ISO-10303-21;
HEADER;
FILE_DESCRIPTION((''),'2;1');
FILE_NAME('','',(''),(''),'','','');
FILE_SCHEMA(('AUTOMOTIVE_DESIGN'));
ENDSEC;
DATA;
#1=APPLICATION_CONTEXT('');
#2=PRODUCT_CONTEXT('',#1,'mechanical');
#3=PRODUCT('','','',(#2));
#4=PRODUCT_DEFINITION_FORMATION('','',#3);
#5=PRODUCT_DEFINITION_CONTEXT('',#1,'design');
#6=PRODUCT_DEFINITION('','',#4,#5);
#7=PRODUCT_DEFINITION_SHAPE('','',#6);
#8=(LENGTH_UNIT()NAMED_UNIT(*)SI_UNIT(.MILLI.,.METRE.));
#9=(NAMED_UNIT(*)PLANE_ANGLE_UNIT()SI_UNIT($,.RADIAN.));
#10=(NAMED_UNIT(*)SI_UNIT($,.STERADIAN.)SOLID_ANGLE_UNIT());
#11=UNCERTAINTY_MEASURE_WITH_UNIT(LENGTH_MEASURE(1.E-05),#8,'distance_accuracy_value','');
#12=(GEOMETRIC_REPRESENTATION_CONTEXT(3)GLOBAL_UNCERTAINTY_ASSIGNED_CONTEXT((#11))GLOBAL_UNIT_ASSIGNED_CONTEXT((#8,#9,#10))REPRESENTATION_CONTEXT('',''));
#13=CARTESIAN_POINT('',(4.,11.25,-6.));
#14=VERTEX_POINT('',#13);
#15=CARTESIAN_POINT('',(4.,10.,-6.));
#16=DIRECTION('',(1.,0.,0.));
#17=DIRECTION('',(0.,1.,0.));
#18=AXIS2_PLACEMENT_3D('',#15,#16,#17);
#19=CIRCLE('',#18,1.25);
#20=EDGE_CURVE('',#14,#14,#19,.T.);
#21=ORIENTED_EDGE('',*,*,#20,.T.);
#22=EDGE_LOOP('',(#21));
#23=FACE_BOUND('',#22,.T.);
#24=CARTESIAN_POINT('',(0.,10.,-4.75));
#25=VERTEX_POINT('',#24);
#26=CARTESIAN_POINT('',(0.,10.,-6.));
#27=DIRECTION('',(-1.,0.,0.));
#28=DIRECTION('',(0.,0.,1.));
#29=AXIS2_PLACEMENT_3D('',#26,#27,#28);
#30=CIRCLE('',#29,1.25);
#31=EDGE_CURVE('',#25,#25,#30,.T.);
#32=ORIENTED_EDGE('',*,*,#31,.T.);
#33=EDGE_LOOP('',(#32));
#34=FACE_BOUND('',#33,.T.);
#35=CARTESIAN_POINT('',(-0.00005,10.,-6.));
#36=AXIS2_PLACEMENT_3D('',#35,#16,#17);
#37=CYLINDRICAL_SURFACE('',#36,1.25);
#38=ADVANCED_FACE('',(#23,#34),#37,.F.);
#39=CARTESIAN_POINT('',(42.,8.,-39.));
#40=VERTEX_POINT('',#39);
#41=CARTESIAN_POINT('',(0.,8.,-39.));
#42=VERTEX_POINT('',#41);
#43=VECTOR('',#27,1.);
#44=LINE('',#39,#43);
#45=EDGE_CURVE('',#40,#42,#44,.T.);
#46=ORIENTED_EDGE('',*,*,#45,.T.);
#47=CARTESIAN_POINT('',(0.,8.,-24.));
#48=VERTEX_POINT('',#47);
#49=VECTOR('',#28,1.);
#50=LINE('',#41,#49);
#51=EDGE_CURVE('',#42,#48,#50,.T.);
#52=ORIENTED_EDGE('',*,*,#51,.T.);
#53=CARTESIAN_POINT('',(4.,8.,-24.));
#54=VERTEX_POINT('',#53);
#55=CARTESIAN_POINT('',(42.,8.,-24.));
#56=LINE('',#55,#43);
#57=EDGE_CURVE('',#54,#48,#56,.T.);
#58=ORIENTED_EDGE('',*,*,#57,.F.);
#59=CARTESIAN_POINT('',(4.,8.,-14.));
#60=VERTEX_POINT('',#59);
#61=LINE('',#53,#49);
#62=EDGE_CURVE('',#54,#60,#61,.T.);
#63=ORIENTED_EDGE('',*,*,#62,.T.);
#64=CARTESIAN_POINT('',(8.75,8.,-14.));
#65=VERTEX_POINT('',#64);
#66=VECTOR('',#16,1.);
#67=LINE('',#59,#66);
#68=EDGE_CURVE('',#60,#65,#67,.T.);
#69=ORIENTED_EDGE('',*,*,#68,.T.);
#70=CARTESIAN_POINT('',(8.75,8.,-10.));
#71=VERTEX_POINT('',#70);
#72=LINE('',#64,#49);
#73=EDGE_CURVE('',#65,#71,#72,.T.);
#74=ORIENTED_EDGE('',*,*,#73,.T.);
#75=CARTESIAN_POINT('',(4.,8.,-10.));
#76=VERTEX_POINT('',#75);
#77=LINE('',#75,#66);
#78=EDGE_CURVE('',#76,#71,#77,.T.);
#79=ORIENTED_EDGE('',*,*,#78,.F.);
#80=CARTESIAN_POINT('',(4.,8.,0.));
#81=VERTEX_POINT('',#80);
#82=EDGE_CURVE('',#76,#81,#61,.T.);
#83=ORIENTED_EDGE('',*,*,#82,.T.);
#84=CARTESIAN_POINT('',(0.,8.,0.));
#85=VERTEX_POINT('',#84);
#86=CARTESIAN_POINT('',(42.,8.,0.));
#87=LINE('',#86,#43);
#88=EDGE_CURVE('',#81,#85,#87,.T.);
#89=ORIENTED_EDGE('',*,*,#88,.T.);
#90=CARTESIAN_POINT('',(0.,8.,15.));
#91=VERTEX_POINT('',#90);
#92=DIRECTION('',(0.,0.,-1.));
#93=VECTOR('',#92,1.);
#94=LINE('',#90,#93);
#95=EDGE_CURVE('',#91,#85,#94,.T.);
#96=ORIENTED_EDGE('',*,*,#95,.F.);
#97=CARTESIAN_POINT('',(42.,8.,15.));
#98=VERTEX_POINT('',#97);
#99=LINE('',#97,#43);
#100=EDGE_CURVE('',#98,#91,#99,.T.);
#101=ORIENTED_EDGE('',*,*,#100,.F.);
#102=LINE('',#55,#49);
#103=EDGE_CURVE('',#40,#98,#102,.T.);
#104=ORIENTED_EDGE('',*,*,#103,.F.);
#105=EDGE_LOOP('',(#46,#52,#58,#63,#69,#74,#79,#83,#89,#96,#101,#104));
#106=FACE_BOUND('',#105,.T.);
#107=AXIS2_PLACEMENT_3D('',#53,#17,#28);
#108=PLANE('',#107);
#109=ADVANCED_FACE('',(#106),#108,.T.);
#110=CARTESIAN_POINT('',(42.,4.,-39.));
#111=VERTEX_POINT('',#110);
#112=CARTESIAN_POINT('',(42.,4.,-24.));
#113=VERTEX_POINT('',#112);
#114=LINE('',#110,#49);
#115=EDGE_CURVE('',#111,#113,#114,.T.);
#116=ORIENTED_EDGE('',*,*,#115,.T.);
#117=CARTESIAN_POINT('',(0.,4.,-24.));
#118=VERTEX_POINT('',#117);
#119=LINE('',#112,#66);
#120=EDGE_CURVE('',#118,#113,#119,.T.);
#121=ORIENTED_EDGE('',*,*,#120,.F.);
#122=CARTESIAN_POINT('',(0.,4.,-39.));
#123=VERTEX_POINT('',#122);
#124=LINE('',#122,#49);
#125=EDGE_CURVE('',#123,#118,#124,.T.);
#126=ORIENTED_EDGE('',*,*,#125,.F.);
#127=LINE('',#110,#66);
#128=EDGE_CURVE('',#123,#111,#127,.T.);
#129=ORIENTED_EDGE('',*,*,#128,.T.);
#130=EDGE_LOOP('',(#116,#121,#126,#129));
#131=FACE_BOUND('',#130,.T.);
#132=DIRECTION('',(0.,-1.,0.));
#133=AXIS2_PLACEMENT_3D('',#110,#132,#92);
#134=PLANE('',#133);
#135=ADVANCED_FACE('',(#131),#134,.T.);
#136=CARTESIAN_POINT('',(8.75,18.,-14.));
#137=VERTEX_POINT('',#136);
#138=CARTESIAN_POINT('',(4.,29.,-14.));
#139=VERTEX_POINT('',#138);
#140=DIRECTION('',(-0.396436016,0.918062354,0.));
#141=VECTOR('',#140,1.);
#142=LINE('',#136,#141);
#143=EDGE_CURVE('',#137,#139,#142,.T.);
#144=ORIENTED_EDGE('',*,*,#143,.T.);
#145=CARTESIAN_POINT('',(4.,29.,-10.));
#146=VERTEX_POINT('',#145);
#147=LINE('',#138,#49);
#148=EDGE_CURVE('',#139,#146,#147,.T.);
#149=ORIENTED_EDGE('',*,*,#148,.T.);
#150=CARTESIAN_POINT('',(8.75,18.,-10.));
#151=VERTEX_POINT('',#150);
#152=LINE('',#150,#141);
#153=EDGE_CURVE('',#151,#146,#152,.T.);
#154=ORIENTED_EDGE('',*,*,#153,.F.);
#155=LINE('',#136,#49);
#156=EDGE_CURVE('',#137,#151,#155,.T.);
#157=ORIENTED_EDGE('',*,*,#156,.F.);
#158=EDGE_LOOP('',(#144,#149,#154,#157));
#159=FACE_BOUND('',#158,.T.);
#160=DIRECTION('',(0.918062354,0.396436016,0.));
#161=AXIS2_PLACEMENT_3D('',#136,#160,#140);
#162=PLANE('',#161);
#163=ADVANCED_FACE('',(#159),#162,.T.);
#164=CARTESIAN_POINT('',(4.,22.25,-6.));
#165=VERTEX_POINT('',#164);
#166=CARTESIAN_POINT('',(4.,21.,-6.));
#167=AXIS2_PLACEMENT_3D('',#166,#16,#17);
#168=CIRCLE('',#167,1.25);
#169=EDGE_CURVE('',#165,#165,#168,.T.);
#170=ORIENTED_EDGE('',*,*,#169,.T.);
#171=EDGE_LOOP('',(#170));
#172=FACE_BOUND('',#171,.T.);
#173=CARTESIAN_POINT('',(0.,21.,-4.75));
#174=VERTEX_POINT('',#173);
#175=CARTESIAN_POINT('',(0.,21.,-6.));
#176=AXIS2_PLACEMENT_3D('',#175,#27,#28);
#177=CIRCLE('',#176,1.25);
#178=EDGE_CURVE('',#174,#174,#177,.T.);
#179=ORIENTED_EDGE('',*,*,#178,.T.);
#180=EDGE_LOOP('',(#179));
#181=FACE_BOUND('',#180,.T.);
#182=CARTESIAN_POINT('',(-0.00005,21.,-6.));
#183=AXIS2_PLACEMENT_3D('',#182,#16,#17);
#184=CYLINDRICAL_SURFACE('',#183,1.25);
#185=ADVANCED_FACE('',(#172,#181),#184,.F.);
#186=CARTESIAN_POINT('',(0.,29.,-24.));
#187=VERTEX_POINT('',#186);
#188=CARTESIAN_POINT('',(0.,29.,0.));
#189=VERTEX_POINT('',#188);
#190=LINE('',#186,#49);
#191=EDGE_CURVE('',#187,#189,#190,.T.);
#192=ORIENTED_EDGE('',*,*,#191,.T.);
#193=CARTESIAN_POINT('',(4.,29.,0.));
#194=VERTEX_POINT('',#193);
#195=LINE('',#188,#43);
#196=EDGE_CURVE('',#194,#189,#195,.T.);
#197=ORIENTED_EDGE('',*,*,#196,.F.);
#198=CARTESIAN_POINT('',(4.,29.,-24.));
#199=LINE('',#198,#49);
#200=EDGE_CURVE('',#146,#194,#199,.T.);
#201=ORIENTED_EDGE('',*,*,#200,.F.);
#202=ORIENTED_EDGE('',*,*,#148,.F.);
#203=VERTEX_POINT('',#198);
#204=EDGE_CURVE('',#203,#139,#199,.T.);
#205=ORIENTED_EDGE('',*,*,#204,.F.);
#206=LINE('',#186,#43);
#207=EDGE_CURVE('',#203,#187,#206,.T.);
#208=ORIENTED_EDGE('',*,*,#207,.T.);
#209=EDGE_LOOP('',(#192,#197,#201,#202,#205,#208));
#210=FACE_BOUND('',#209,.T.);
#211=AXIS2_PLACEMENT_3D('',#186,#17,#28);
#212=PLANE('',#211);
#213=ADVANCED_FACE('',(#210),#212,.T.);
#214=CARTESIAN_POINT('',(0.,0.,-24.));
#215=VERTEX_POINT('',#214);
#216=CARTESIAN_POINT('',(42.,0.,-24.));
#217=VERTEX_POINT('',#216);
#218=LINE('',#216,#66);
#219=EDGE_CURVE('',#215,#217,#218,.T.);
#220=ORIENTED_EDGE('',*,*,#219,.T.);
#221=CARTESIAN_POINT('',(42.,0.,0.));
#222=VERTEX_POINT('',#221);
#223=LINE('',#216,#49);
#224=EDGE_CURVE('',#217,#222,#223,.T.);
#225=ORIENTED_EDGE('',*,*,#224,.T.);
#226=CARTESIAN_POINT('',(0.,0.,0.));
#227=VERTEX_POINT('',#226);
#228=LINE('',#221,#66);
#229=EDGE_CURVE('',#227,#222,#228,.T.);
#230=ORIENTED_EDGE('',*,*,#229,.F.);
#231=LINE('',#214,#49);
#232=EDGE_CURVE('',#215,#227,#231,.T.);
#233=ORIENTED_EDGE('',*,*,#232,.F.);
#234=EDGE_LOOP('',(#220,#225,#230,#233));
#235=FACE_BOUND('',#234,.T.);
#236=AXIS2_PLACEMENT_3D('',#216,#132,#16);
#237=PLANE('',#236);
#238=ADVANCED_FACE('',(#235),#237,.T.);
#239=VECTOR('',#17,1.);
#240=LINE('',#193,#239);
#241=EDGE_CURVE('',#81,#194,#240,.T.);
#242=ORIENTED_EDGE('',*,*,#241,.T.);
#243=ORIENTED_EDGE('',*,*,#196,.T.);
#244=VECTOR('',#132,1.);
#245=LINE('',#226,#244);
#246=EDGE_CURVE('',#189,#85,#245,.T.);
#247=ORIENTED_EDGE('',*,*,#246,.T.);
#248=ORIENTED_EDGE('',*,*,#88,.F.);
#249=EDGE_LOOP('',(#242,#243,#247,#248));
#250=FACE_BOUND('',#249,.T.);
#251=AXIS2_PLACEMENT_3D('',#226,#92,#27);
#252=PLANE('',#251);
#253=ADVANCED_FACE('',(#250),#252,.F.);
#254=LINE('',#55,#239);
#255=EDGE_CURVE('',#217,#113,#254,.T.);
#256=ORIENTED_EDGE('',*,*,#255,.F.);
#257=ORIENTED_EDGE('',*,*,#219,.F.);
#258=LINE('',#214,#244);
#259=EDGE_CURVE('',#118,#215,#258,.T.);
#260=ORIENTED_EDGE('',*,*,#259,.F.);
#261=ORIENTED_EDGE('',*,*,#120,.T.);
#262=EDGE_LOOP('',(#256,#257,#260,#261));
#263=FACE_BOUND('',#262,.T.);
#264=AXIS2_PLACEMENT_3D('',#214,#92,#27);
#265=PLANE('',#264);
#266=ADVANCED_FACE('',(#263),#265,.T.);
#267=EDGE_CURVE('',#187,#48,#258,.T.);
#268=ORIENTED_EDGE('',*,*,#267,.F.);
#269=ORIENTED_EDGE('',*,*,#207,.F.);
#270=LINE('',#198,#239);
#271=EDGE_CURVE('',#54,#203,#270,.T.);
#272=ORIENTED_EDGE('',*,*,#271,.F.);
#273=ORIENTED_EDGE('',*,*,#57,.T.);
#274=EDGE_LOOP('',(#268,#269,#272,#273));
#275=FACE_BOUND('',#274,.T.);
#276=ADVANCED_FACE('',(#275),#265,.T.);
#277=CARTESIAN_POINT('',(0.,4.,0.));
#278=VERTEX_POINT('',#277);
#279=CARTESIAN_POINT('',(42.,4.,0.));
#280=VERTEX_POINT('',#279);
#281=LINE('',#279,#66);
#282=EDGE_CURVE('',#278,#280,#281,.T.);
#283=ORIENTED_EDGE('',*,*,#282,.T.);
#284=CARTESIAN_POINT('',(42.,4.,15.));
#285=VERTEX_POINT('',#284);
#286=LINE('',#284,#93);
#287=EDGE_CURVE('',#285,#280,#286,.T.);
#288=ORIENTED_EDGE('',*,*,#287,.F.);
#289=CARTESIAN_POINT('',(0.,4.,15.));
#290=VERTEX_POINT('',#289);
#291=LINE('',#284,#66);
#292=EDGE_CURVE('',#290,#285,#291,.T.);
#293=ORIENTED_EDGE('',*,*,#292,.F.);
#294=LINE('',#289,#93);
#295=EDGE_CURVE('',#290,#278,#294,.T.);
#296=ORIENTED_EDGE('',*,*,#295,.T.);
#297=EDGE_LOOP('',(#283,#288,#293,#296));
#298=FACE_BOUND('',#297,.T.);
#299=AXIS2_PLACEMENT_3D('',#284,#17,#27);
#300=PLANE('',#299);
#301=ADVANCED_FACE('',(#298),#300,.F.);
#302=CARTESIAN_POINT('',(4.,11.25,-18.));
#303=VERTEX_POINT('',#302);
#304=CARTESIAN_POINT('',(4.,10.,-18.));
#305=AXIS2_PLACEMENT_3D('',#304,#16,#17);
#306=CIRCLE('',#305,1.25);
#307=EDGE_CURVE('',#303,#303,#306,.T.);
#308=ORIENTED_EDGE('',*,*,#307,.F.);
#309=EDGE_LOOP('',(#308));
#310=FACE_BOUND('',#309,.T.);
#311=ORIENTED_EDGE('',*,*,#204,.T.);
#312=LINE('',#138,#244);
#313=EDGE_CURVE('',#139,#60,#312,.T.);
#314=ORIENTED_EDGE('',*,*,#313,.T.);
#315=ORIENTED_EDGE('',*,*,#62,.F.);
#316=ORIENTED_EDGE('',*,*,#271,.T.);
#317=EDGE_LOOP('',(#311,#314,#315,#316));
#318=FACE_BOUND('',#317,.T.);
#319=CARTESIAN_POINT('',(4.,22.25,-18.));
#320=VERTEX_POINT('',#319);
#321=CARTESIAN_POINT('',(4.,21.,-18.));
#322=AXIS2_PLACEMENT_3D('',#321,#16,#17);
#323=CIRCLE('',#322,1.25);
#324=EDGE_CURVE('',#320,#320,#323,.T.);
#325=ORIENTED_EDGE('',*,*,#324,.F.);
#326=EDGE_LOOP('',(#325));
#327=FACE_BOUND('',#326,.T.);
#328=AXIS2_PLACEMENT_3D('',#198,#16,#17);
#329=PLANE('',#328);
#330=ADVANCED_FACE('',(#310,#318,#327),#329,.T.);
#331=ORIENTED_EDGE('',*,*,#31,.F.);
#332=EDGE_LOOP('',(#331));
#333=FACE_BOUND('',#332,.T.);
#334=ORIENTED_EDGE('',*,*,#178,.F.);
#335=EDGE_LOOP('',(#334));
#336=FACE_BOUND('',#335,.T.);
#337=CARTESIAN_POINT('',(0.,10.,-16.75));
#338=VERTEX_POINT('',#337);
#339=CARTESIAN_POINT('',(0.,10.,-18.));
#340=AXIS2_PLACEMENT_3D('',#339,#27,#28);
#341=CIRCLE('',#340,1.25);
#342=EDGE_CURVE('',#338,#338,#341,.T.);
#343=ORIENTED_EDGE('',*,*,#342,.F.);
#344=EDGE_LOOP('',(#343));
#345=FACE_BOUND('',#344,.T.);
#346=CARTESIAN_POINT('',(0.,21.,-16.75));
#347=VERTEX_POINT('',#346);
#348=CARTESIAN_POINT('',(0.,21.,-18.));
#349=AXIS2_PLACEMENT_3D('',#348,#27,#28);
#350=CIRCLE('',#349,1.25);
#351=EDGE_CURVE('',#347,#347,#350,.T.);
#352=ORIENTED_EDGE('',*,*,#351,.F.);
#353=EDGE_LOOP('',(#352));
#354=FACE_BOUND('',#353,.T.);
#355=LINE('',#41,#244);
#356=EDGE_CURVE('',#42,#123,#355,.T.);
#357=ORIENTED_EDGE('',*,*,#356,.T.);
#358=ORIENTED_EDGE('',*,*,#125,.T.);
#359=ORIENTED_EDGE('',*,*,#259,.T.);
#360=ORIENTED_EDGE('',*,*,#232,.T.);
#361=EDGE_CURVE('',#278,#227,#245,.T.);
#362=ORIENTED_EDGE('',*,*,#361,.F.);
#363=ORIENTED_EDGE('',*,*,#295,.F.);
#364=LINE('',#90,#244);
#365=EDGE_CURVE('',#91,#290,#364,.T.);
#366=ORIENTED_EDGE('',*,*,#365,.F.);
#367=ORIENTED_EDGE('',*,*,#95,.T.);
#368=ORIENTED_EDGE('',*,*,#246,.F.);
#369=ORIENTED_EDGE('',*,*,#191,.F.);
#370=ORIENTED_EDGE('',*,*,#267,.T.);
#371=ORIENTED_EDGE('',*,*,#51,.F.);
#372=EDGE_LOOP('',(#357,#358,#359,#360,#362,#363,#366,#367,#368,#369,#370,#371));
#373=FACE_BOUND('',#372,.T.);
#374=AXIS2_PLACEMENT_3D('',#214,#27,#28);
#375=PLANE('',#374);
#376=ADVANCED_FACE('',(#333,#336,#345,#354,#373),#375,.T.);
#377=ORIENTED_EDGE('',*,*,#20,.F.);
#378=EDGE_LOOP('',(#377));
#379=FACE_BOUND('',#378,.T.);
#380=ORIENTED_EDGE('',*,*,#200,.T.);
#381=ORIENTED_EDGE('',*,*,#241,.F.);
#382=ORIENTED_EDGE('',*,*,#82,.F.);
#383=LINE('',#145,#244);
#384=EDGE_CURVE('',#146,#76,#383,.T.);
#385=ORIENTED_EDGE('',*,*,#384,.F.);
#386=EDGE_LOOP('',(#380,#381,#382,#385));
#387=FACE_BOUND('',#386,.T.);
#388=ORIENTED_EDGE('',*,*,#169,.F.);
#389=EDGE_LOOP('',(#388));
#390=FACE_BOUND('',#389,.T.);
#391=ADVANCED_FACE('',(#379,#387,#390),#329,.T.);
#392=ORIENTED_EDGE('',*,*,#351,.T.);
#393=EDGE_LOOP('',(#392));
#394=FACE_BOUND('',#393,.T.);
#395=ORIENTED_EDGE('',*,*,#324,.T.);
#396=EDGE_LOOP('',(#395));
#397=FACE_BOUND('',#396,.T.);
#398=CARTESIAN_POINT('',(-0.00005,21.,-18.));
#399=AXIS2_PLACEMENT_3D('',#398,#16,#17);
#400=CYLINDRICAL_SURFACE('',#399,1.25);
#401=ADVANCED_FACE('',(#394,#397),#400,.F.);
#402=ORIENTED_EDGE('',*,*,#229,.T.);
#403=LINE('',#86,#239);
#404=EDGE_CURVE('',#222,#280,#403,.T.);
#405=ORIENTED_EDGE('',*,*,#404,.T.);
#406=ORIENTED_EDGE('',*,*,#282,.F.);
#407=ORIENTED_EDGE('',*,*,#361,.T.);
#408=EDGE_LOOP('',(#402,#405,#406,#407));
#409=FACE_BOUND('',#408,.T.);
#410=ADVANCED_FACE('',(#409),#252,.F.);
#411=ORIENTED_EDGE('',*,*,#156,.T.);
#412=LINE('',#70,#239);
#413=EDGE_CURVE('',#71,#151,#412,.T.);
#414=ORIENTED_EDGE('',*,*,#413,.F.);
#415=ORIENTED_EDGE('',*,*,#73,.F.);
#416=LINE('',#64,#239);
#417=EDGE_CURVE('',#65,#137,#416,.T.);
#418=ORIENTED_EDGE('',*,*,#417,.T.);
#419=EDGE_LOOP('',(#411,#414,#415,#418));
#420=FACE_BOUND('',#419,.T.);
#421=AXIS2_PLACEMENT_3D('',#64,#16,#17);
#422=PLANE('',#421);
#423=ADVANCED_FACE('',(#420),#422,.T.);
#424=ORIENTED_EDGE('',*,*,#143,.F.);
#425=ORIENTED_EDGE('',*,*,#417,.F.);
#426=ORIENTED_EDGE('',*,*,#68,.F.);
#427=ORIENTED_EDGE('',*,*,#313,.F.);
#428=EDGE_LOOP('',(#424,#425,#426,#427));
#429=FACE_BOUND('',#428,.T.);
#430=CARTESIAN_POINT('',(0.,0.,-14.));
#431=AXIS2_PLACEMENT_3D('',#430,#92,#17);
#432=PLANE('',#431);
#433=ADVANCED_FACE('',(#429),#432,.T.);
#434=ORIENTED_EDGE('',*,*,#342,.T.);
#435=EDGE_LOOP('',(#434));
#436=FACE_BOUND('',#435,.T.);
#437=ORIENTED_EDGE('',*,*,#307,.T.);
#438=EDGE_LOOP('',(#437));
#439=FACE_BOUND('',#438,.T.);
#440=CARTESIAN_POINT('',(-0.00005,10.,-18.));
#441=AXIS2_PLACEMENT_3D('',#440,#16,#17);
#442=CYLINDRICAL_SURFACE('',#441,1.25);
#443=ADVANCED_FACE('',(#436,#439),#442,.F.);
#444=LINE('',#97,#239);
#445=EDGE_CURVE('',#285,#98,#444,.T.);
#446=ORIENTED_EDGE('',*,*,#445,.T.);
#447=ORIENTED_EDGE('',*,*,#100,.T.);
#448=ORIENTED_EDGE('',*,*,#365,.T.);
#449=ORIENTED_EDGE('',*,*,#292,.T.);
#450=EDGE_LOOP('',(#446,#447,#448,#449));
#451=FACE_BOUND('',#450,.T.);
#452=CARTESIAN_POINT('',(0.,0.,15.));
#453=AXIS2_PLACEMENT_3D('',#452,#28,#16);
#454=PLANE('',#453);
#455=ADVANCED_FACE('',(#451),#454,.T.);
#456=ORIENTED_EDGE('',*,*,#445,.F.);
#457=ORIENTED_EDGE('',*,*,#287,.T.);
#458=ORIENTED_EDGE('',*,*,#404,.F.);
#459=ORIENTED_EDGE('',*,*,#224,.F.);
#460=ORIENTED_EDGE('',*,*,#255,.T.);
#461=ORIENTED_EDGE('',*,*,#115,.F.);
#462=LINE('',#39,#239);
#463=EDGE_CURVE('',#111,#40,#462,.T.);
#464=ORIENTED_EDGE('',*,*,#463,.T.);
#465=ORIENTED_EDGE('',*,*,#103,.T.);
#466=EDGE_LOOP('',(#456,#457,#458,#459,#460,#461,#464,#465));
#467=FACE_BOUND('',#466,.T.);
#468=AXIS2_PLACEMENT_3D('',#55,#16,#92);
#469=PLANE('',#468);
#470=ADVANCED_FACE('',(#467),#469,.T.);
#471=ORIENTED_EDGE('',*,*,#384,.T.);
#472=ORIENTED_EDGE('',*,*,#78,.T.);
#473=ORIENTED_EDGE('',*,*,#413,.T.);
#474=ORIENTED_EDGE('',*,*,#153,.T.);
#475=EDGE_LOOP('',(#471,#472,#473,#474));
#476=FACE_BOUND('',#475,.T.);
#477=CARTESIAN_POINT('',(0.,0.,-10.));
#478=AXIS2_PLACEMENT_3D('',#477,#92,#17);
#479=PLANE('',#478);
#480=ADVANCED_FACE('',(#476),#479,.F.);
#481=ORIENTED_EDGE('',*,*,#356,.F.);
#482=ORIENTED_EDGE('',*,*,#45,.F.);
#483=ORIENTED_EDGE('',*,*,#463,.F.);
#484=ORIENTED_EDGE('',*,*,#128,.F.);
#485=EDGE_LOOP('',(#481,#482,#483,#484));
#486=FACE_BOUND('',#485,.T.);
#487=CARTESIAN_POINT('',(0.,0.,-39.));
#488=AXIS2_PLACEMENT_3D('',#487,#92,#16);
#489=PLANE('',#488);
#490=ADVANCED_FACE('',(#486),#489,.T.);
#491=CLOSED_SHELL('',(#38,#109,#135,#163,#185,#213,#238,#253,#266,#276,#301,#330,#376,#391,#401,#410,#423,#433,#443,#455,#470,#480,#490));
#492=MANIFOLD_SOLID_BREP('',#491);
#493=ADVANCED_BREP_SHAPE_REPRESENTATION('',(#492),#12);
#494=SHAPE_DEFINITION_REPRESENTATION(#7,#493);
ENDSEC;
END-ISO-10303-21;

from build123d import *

# Parameters (mm, degrees)
EXTRUDE_1_DEPTH      = 24
SKETCH_2_W           = 42
SKETCH_2_H           = 4
EXTRUDE_2_DEPTH      = 15
EXTRUDE_3_DEPTH      = 2
EXTRUDE_3_DEPTH_BACK = 2
SKETCH_5_R           = 1.25
CUT_EXTRUDE_1_DEPTH  = 62.692787261


with BuildPart() as part:
    # Эскиз1 → Бобышка-Вытянуть1 (new body)
    with BuildSketch(Plane.XY):
        Polygon((0, 0), (0, 29), (4, 29), (4, 8), (42, 8), (42, 0), align=None)
    extrude(amount=-EXTRUDE_1_DEPTH)

    # Эскиз2 → Бобышка-Вытянуть2 (add)
    with BuildSketch(Plane.XY):
        with Locations((21, 6)):
            Rectangle(SKETCH_2_W, SKETCH_2_H)
    extrude_2 = extrude(amount=EXTRUDE_2_DEPTH)

    # Зеркальное отражение1: Бобышка-Вытянуть2 across plane
    add(extrude_2.mirror(Plane.XY.offset(-12)))

    # Эскиз4 → Бобышка-Вытянуть3 (add, two sides: drawn at the far end of the back side and taken through both)
    with BuildSketch(Plane(origin=(0, 0, -12), x_dir=(0, -1, 0), z_dir=(0, 0, 1)).offset(-EXTRUDE_3_DEPTH_BACK)):
        Polygon((-8, 8.75), (-18, 8.75), (-29, 4), (-8, 4), align=None)
    extrude(amount=EXTRUDE_3_DEPTH + EXTRUDE_3_DEPTH_BACK)

    # Эскиз5 → Вырез-Вытянуть1 (cut, through all)
    with BuildSketch(Plane(origin=(4, 0, 0), x_dir=(0, 0, -1), z_dir=(1, 0, 0))):
        with Locations(Location((6, 21, 0), (0, 0, 90))):
            Circle(SKETCH_5_R)
        with Locations(Location((6, 10, 0), (0, 0, 90))):
            Circle(SKETCH_5_R)
        with Locations(Location((18, 10, 0), (0, 0, 90))):
            Circle(SKETCH_5_R)
        with Locations(Location((18, 21, 0), (0, 0, 90))):
            Circle(SKETCH_5_R)
    extrude(amount=-CUT_EXTRUDE_1_DEPTH, mode=Mode.SUBTRACT)


solid = part.part
